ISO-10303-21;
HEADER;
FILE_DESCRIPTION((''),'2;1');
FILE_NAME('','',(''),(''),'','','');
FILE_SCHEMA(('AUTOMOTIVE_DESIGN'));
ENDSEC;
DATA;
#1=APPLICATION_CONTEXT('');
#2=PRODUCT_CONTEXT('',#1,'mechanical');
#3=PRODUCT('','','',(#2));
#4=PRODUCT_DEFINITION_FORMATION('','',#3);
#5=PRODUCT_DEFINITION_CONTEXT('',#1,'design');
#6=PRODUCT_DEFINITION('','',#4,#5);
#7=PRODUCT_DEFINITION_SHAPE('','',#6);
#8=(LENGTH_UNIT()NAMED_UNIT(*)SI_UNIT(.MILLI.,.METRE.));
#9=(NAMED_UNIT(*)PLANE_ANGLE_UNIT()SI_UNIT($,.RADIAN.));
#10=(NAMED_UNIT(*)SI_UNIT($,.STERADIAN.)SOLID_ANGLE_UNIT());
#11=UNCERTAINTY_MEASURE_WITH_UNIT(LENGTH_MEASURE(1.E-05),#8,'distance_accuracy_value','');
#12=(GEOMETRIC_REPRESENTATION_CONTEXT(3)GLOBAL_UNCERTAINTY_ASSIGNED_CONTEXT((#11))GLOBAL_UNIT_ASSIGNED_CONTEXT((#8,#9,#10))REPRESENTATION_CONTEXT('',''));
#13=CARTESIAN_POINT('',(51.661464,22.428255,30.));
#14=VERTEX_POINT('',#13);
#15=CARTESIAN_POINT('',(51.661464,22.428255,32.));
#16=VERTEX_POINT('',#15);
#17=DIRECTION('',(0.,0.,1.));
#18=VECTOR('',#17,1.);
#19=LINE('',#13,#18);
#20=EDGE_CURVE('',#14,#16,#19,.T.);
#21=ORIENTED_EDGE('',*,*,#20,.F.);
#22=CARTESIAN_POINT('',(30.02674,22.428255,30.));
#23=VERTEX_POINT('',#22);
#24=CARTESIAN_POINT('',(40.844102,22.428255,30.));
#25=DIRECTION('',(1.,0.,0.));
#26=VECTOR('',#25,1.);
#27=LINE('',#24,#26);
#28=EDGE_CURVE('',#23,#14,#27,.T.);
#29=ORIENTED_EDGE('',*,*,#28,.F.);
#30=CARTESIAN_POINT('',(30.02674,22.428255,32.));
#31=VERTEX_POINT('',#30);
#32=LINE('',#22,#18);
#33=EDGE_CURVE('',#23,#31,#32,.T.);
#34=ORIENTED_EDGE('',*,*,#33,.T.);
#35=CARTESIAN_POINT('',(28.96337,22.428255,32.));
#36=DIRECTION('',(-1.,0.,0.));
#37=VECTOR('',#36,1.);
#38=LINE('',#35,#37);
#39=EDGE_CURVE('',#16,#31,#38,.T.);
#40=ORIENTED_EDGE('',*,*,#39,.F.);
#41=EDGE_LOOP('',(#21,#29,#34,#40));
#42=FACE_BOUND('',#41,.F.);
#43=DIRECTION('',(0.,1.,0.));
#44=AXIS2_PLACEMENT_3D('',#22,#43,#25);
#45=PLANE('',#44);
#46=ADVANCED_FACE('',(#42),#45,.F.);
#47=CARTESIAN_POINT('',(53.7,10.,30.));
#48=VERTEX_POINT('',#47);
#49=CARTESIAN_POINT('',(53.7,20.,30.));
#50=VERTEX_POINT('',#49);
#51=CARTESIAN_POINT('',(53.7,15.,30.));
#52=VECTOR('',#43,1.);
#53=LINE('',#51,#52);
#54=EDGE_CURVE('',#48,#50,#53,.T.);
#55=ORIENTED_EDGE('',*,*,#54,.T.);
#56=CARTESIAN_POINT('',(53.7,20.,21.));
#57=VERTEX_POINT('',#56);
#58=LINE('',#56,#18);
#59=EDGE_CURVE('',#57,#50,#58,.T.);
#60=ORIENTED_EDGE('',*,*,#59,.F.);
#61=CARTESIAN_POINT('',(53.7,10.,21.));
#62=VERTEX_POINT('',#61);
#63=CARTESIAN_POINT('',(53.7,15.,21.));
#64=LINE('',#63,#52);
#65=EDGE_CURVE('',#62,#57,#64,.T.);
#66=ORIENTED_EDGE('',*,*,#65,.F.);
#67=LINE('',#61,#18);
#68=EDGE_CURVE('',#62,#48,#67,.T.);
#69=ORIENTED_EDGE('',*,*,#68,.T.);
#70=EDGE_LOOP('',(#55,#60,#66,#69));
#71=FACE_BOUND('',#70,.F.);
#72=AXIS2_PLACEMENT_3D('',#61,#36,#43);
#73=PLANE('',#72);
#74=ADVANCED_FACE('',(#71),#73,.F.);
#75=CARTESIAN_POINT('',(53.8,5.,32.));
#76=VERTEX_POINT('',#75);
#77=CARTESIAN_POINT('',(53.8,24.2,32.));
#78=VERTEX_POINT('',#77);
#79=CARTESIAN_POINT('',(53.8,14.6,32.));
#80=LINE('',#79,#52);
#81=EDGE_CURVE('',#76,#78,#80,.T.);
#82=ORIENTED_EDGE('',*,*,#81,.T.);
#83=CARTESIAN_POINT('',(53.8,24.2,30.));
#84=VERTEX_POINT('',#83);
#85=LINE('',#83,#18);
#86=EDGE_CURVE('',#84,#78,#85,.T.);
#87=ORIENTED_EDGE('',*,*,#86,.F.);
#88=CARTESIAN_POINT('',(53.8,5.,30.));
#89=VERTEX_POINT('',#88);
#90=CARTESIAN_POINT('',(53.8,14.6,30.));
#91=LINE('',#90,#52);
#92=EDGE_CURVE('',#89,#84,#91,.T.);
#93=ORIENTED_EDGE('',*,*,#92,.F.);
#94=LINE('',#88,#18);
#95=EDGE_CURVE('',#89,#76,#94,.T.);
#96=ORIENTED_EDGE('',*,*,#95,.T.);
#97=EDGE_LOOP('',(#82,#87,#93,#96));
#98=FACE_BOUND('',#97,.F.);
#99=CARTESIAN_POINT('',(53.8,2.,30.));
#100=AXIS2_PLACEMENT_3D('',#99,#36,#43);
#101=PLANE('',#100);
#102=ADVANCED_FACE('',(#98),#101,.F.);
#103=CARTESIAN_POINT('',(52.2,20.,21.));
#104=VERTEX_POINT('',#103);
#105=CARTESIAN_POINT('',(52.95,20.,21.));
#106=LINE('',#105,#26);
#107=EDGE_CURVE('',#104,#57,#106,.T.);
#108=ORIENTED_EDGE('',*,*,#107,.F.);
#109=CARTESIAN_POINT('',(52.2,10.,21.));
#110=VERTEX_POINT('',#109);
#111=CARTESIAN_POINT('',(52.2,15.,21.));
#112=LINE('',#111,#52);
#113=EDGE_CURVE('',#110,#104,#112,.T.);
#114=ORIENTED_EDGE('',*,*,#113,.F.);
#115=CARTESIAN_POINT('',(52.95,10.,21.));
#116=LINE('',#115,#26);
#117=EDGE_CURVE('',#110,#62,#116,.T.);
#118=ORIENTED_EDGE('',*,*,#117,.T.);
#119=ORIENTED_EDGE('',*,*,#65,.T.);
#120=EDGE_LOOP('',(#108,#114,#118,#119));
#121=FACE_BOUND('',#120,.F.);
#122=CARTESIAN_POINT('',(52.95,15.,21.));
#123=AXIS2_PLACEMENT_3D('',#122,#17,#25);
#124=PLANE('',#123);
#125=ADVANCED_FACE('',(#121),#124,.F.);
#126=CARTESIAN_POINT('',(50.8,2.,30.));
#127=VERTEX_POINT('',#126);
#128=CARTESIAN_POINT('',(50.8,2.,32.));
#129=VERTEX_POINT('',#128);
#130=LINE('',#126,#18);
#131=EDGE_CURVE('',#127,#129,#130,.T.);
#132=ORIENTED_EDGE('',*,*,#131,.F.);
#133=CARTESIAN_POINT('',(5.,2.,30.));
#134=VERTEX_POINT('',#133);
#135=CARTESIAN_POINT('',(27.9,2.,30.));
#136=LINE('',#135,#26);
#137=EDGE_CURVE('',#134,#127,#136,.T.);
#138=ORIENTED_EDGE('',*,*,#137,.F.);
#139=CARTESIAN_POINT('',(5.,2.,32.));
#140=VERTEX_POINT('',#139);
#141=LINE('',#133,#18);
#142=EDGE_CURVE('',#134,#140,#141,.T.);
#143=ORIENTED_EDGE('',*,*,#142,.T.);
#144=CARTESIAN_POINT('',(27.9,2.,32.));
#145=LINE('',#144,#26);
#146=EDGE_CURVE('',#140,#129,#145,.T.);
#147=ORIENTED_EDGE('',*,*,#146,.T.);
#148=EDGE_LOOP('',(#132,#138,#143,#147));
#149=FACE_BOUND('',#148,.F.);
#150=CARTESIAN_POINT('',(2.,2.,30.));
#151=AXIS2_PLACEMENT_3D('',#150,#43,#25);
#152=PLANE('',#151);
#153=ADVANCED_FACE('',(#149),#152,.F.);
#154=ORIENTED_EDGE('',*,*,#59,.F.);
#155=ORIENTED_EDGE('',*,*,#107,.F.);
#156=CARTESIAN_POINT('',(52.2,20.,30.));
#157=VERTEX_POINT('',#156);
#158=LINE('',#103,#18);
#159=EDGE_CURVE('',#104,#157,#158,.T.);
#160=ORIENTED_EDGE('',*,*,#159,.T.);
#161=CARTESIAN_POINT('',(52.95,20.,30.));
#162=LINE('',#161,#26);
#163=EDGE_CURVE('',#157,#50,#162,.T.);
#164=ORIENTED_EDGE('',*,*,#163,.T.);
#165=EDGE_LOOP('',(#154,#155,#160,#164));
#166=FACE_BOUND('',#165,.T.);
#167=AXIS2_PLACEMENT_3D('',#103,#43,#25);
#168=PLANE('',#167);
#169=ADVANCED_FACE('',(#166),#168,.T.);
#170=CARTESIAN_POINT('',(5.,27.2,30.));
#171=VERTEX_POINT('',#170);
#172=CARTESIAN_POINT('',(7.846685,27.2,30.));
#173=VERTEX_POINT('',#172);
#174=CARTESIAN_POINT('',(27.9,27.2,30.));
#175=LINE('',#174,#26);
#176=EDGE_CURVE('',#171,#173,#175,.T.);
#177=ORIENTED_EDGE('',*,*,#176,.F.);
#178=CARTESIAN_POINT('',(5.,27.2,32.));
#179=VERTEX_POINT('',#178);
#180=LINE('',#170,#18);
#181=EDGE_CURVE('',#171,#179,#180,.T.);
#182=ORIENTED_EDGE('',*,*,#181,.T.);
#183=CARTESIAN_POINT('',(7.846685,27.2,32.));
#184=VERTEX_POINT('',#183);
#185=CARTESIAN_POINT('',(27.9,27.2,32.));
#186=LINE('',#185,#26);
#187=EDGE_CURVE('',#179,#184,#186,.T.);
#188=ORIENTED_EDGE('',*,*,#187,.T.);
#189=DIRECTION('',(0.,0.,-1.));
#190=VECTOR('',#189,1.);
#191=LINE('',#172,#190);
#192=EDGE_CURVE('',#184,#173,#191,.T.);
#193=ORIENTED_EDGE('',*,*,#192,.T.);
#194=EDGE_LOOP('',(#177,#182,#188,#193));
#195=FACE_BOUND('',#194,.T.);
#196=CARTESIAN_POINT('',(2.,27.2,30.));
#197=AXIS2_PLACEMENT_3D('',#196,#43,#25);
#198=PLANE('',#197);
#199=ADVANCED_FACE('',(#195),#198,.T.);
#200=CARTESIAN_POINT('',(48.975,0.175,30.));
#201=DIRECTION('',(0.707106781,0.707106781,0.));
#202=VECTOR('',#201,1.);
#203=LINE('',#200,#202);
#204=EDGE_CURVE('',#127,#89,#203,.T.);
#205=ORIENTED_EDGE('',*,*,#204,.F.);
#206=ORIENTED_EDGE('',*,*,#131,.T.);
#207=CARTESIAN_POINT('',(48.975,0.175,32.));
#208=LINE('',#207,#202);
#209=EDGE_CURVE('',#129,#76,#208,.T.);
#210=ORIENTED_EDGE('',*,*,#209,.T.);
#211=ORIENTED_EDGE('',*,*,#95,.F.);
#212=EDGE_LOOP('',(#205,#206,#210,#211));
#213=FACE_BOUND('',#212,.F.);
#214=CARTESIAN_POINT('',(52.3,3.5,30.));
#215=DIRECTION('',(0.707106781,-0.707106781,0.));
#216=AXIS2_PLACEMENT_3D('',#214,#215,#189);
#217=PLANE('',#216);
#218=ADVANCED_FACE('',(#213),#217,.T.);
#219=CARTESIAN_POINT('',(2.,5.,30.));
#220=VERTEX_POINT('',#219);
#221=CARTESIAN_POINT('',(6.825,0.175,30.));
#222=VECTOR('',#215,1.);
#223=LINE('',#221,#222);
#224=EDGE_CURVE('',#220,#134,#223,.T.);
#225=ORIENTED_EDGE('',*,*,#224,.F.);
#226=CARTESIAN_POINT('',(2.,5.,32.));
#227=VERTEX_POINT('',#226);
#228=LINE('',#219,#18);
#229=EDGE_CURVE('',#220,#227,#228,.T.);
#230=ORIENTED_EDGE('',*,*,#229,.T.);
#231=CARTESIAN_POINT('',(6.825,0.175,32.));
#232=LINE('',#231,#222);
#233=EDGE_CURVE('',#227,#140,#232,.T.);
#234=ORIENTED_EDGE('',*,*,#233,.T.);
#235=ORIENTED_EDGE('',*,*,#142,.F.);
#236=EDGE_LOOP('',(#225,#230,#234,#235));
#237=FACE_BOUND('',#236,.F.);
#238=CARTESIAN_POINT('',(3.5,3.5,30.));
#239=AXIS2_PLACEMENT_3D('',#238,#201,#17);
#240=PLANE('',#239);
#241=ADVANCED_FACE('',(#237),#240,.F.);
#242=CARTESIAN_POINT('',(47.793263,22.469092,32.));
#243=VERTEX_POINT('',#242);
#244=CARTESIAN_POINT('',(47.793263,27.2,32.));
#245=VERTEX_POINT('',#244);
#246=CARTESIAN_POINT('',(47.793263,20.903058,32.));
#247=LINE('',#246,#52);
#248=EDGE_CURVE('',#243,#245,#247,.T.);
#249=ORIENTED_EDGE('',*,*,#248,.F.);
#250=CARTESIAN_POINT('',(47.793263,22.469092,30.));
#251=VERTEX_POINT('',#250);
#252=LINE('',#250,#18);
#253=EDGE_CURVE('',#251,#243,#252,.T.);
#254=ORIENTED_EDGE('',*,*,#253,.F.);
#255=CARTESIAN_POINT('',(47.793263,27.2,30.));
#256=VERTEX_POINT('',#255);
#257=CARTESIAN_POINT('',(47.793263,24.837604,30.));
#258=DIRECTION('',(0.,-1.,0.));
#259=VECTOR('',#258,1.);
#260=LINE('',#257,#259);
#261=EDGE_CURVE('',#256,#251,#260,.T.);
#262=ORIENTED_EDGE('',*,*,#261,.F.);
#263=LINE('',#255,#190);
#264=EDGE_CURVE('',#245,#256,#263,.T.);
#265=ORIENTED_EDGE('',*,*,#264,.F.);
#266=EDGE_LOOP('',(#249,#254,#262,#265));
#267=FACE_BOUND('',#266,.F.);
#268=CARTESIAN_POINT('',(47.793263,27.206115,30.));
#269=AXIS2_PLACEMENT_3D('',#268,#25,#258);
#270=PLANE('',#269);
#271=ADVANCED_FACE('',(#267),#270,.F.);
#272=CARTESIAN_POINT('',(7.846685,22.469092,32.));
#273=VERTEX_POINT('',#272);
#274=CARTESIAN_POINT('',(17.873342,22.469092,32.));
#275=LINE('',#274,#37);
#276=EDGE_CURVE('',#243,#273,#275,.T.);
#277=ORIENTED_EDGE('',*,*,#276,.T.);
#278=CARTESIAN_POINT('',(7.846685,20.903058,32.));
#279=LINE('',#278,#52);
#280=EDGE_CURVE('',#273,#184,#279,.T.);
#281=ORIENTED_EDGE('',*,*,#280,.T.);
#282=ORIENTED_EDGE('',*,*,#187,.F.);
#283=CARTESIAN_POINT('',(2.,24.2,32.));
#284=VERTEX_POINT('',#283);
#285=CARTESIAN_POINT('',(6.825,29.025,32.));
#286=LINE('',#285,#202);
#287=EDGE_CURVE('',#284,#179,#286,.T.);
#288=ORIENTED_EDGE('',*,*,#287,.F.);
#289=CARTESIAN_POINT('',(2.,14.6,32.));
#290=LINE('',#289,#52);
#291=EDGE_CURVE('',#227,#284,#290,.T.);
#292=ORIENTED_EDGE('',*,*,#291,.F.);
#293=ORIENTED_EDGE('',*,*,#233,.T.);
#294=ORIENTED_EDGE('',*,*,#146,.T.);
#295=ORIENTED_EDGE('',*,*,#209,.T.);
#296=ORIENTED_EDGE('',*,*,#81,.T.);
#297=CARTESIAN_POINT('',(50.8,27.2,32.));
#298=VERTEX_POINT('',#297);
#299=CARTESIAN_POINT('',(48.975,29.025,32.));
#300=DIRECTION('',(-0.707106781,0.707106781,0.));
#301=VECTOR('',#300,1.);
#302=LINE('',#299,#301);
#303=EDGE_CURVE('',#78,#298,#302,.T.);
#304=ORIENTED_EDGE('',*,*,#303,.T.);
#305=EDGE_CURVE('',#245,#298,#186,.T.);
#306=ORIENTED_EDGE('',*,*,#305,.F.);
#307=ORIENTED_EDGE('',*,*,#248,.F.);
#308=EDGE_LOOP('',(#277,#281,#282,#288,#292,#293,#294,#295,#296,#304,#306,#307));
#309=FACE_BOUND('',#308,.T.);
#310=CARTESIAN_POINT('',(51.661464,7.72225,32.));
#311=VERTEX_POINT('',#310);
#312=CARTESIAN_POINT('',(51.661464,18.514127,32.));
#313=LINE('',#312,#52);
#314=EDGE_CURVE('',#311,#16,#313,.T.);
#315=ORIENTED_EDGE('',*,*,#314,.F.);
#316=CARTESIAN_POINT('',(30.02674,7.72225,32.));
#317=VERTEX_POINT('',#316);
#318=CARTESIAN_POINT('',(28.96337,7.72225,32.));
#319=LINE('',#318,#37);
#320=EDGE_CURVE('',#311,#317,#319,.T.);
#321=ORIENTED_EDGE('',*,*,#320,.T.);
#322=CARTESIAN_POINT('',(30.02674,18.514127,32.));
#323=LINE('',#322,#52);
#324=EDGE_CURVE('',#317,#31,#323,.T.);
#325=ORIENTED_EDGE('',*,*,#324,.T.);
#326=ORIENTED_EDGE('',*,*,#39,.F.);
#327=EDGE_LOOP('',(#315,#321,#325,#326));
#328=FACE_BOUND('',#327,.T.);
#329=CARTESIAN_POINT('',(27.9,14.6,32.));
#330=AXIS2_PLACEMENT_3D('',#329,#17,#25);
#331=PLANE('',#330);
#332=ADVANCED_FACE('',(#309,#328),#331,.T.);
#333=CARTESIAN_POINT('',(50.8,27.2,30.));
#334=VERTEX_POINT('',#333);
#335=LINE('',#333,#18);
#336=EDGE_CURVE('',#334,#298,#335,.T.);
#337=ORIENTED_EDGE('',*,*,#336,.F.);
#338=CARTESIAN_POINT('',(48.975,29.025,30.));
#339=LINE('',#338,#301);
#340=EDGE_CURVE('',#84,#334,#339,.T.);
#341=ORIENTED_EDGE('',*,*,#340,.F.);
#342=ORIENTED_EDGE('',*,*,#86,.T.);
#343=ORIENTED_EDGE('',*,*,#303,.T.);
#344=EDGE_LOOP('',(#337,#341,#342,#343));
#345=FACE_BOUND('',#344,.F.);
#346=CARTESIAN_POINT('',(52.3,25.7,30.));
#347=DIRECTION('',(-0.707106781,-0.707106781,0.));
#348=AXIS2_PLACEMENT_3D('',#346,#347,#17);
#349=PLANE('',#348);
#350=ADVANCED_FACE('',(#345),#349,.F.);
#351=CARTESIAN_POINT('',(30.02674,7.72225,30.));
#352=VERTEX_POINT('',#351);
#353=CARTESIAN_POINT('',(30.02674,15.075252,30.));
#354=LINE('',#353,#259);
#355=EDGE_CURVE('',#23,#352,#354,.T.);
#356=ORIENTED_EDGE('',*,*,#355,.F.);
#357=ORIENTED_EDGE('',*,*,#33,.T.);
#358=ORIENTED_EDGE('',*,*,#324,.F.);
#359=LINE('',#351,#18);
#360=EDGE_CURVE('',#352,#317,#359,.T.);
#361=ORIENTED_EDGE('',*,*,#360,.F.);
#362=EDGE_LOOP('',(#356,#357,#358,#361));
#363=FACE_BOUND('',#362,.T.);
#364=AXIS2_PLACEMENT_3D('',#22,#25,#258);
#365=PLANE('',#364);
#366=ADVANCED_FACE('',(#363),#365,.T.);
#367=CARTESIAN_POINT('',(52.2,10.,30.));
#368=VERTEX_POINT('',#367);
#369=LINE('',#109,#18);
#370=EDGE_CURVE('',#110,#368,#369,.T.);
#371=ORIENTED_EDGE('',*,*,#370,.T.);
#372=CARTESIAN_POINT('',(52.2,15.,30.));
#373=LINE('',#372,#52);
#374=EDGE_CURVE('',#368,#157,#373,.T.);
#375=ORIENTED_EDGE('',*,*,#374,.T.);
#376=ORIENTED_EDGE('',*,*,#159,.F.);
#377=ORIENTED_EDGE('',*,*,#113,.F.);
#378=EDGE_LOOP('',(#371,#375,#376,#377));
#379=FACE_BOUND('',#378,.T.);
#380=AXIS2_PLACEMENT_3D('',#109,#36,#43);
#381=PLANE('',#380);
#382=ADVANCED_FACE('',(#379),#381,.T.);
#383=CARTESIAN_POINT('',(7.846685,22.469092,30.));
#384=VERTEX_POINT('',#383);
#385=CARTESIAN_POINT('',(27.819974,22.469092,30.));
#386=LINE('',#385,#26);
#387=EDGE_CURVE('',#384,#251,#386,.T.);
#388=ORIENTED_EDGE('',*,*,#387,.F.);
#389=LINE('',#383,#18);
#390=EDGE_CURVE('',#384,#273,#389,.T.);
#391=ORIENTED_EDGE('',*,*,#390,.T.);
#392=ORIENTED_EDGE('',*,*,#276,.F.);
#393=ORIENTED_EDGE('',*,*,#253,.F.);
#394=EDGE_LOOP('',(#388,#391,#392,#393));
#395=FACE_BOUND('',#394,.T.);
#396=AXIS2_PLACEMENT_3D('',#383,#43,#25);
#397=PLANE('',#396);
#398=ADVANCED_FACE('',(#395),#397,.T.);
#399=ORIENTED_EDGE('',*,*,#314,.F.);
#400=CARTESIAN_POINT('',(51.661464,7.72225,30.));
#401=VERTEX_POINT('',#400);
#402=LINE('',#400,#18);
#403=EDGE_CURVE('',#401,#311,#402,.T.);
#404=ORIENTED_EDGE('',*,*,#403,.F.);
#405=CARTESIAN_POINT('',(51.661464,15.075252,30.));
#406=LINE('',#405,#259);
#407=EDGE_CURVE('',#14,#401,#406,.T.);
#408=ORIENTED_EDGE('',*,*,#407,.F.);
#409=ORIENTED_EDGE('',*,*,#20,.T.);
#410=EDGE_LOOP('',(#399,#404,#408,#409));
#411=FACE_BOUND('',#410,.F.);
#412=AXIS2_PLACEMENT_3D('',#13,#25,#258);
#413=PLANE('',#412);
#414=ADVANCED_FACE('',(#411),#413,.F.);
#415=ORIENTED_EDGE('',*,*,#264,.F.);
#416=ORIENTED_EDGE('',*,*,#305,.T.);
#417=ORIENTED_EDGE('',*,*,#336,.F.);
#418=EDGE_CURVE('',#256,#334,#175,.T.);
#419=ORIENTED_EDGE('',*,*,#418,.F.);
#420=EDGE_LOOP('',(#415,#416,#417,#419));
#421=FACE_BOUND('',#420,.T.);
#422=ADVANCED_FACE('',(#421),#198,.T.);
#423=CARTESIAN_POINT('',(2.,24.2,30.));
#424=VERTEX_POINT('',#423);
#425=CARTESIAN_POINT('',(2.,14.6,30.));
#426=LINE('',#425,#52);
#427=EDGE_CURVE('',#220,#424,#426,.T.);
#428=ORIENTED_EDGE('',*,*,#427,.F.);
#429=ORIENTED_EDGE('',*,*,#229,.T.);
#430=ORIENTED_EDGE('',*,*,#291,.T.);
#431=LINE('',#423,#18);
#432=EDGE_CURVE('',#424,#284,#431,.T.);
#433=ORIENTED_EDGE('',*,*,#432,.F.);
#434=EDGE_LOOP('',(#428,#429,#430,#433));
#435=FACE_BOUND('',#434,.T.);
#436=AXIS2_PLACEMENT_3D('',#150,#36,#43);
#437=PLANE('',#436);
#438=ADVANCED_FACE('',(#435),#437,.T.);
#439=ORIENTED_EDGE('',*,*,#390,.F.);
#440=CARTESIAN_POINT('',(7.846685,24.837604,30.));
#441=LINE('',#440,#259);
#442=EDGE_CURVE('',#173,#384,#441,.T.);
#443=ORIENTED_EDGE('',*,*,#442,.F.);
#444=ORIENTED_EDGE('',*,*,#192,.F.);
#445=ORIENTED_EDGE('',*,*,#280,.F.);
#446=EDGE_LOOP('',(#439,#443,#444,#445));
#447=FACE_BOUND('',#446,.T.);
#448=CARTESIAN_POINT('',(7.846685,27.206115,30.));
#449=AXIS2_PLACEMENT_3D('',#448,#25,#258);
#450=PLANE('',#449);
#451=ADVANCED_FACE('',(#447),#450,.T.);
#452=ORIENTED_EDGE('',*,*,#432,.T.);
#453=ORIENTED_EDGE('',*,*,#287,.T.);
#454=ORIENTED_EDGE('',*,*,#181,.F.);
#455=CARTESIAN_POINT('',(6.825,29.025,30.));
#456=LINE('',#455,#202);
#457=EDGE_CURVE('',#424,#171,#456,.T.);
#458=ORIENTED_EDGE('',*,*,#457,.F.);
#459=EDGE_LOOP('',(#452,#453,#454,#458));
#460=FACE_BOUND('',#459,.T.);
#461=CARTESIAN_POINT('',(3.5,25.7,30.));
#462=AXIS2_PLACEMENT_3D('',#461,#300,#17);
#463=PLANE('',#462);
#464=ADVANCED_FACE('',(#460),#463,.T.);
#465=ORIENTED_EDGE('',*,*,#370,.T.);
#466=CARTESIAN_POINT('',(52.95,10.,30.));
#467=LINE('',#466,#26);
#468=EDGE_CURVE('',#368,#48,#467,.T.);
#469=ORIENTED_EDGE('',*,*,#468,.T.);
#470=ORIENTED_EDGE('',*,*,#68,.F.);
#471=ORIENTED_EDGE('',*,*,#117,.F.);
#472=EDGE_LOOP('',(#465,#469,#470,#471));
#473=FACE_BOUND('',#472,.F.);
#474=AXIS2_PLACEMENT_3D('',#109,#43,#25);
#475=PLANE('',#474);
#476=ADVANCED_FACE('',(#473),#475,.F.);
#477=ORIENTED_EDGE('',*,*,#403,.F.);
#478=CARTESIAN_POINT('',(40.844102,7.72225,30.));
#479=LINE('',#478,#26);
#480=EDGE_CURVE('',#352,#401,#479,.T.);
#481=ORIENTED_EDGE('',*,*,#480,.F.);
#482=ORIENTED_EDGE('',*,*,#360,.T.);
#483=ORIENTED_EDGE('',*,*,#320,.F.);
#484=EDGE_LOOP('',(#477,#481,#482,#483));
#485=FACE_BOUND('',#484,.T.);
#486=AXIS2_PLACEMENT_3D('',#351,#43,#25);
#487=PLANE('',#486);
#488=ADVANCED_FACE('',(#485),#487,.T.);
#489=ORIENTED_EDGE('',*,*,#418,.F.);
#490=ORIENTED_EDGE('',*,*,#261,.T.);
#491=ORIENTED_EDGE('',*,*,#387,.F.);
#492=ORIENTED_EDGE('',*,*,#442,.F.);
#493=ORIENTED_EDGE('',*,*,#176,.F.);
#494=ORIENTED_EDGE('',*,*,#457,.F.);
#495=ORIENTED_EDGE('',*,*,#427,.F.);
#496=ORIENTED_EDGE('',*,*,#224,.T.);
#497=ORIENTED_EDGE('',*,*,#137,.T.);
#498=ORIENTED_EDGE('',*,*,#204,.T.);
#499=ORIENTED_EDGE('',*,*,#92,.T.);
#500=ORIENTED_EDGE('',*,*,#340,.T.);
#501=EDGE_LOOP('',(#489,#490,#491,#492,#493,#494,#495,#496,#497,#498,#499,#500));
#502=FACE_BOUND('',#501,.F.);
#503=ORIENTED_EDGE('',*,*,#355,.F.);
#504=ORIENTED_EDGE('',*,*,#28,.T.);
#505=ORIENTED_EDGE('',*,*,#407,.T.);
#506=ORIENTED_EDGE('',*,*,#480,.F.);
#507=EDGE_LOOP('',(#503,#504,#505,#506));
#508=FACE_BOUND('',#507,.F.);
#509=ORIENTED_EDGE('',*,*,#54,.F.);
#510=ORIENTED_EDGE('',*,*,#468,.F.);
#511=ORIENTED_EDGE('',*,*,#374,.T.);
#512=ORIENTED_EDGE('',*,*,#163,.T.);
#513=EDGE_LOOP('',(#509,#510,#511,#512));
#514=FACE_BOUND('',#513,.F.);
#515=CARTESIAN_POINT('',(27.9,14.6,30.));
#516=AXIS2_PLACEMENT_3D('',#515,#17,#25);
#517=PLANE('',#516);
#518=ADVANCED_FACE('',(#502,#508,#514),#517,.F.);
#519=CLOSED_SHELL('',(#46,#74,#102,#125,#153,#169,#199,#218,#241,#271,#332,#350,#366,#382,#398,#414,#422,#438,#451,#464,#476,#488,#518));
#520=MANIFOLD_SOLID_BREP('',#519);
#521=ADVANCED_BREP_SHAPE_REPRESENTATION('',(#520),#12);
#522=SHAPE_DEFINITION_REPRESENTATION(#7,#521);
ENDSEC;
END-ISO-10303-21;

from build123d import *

# Parameters (mm, degrees)
BOX011_W     = 1.5
BOX011_H     = 10
BOX011_DEPTH = 9
BOX010_W     = 51.8
BOX010_H     = 25.2
BOX010_DEPTH = 2
CHAMFER_SIZE = 3
SKETCH_W     = 21.634724
SKETCH_H     = 14.706005
SKETCH_W_2   = 39.946578
SKETCH_H_2   = 4.737023
POCKET_DEPTH = 3


with BuildPart() as controler_support001:
    # Box011 → Box011 (new body)
    with BuildSketch(Plane(origin=(52.2, 10, 21), x_dir=(1, 0, 0), z_dir=(0, 0, 1))):
        with Locations((0.75, 5)):
            Rectangle(BOX011_W, BOX011_H)
    extrude(amount=BOX011_DEPTH)


with BuildPart() as bat_controller_sep:
    # Box010 → Box010 (new body)
    with BuildSketch(Plane(origin=(2, 2, 30), x_dir=(1, 0, 0), z_dir=(0, 0, 1))):
        with Locations((25.9, 12.6)):
            Rectangle(BOX010_W, BOX010_H)
    extrude(amount=BOX010_DEPTH)

    # Chamfer
    chamfer_edges = [bat_controller_sep.edges().sort_by_distance(p)[0] for p in [
        (2, 2, 31),
        (2, 27.2, 31),
        (53.8, 2, 31),
        (53.8, 27.2, 31),
    ]]
    chamfer(chamfer_edges, length=CHAMFER_SIZE)

    # Sketch (on Face5 of Chamfer) → Pocket (cut)
    with BuildSketch(Plane(origin=(0, 0, 30), x_dir=(1, 0, 0), z_dir=(0, 0, -1))):
        with Locations((40.844102, -15.075252)):
            Rectangle(SKETCH_W, SKETCH_H)
        with Locations((27.819974, -24.837604)):
            Rectangle(SKETCH_W_2, SKETCH_H_2)
    extrude(amount=-POCKET_DEPTH, mode=Mode.SUBTRACT)

    # Fusion008: union controler_support001
    add(controler_support001.part)


solid = bat_controller_sep.part
